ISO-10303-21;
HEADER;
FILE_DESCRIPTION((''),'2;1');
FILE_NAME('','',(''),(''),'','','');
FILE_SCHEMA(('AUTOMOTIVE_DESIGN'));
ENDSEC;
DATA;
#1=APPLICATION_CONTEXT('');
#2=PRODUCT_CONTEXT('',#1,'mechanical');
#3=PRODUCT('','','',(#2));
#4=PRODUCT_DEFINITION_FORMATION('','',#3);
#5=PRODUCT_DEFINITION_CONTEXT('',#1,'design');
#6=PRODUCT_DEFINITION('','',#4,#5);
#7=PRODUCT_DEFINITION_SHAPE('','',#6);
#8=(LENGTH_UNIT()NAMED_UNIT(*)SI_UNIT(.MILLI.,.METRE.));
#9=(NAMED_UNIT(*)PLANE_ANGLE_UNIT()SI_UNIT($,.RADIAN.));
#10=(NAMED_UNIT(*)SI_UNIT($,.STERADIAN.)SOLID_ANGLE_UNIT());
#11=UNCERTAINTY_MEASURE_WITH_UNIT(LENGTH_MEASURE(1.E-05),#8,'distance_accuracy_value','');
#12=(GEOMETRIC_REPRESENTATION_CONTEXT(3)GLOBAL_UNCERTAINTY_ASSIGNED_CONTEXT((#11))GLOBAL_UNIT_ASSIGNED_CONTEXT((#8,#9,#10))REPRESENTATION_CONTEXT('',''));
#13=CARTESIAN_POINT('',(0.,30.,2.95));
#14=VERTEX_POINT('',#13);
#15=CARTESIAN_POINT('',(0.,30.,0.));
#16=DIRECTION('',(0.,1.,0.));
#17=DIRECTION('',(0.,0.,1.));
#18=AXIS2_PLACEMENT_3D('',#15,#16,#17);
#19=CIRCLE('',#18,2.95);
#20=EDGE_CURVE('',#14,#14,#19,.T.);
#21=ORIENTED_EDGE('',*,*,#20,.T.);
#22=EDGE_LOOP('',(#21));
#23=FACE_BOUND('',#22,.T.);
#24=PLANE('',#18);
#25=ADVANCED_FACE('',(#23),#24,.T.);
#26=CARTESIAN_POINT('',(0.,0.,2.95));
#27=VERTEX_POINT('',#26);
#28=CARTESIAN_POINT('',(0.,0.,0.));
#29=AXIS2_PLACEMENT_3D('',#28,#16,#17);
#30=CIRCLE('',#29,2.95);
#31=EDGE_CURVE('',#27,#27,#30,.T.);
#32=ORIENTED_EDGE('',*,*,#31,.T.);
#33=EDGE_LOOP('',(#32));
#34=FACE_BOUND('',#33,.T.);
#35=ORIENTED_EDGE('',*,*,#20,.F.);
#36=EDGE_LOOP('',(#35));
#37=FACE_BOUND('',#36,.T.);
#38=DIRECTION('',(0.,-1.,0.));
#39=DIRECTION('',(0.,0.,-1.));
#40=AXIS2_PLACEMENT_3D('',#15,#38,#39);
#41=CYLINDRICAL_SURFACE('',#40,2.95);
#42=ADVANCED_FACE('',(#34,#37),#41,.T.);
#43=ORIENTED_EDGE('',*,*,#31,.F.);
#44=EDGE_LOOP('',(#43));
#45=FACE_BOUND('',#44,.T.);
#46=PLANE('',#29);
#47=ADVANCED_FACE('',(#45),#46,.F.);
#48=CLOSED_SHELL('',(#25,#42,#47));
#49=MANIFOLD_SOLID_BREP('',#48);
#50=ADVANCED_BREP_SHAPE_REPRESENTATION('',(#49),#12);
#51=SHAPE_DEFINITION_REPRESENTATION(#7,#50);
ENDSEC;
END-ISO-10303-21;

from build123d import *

# Parameters (mm, degrees)
SKETCH1_R           = 2.95
BOSS_EXTRUDE1_DEPTH = 30


with BuildPart() as part:
    # Sketch1 → Boss-Extrude1 (new body)
    with BuildSketch(Plane(origin=(0, 0, 0), x_dir=(1, 0, 0), z_dir=(0, 1, 0))):
        Circle(SKETCH1_R)
    extrude(amount=BOSS_EXTRUDE1_DEPTH)


solid = part.part
